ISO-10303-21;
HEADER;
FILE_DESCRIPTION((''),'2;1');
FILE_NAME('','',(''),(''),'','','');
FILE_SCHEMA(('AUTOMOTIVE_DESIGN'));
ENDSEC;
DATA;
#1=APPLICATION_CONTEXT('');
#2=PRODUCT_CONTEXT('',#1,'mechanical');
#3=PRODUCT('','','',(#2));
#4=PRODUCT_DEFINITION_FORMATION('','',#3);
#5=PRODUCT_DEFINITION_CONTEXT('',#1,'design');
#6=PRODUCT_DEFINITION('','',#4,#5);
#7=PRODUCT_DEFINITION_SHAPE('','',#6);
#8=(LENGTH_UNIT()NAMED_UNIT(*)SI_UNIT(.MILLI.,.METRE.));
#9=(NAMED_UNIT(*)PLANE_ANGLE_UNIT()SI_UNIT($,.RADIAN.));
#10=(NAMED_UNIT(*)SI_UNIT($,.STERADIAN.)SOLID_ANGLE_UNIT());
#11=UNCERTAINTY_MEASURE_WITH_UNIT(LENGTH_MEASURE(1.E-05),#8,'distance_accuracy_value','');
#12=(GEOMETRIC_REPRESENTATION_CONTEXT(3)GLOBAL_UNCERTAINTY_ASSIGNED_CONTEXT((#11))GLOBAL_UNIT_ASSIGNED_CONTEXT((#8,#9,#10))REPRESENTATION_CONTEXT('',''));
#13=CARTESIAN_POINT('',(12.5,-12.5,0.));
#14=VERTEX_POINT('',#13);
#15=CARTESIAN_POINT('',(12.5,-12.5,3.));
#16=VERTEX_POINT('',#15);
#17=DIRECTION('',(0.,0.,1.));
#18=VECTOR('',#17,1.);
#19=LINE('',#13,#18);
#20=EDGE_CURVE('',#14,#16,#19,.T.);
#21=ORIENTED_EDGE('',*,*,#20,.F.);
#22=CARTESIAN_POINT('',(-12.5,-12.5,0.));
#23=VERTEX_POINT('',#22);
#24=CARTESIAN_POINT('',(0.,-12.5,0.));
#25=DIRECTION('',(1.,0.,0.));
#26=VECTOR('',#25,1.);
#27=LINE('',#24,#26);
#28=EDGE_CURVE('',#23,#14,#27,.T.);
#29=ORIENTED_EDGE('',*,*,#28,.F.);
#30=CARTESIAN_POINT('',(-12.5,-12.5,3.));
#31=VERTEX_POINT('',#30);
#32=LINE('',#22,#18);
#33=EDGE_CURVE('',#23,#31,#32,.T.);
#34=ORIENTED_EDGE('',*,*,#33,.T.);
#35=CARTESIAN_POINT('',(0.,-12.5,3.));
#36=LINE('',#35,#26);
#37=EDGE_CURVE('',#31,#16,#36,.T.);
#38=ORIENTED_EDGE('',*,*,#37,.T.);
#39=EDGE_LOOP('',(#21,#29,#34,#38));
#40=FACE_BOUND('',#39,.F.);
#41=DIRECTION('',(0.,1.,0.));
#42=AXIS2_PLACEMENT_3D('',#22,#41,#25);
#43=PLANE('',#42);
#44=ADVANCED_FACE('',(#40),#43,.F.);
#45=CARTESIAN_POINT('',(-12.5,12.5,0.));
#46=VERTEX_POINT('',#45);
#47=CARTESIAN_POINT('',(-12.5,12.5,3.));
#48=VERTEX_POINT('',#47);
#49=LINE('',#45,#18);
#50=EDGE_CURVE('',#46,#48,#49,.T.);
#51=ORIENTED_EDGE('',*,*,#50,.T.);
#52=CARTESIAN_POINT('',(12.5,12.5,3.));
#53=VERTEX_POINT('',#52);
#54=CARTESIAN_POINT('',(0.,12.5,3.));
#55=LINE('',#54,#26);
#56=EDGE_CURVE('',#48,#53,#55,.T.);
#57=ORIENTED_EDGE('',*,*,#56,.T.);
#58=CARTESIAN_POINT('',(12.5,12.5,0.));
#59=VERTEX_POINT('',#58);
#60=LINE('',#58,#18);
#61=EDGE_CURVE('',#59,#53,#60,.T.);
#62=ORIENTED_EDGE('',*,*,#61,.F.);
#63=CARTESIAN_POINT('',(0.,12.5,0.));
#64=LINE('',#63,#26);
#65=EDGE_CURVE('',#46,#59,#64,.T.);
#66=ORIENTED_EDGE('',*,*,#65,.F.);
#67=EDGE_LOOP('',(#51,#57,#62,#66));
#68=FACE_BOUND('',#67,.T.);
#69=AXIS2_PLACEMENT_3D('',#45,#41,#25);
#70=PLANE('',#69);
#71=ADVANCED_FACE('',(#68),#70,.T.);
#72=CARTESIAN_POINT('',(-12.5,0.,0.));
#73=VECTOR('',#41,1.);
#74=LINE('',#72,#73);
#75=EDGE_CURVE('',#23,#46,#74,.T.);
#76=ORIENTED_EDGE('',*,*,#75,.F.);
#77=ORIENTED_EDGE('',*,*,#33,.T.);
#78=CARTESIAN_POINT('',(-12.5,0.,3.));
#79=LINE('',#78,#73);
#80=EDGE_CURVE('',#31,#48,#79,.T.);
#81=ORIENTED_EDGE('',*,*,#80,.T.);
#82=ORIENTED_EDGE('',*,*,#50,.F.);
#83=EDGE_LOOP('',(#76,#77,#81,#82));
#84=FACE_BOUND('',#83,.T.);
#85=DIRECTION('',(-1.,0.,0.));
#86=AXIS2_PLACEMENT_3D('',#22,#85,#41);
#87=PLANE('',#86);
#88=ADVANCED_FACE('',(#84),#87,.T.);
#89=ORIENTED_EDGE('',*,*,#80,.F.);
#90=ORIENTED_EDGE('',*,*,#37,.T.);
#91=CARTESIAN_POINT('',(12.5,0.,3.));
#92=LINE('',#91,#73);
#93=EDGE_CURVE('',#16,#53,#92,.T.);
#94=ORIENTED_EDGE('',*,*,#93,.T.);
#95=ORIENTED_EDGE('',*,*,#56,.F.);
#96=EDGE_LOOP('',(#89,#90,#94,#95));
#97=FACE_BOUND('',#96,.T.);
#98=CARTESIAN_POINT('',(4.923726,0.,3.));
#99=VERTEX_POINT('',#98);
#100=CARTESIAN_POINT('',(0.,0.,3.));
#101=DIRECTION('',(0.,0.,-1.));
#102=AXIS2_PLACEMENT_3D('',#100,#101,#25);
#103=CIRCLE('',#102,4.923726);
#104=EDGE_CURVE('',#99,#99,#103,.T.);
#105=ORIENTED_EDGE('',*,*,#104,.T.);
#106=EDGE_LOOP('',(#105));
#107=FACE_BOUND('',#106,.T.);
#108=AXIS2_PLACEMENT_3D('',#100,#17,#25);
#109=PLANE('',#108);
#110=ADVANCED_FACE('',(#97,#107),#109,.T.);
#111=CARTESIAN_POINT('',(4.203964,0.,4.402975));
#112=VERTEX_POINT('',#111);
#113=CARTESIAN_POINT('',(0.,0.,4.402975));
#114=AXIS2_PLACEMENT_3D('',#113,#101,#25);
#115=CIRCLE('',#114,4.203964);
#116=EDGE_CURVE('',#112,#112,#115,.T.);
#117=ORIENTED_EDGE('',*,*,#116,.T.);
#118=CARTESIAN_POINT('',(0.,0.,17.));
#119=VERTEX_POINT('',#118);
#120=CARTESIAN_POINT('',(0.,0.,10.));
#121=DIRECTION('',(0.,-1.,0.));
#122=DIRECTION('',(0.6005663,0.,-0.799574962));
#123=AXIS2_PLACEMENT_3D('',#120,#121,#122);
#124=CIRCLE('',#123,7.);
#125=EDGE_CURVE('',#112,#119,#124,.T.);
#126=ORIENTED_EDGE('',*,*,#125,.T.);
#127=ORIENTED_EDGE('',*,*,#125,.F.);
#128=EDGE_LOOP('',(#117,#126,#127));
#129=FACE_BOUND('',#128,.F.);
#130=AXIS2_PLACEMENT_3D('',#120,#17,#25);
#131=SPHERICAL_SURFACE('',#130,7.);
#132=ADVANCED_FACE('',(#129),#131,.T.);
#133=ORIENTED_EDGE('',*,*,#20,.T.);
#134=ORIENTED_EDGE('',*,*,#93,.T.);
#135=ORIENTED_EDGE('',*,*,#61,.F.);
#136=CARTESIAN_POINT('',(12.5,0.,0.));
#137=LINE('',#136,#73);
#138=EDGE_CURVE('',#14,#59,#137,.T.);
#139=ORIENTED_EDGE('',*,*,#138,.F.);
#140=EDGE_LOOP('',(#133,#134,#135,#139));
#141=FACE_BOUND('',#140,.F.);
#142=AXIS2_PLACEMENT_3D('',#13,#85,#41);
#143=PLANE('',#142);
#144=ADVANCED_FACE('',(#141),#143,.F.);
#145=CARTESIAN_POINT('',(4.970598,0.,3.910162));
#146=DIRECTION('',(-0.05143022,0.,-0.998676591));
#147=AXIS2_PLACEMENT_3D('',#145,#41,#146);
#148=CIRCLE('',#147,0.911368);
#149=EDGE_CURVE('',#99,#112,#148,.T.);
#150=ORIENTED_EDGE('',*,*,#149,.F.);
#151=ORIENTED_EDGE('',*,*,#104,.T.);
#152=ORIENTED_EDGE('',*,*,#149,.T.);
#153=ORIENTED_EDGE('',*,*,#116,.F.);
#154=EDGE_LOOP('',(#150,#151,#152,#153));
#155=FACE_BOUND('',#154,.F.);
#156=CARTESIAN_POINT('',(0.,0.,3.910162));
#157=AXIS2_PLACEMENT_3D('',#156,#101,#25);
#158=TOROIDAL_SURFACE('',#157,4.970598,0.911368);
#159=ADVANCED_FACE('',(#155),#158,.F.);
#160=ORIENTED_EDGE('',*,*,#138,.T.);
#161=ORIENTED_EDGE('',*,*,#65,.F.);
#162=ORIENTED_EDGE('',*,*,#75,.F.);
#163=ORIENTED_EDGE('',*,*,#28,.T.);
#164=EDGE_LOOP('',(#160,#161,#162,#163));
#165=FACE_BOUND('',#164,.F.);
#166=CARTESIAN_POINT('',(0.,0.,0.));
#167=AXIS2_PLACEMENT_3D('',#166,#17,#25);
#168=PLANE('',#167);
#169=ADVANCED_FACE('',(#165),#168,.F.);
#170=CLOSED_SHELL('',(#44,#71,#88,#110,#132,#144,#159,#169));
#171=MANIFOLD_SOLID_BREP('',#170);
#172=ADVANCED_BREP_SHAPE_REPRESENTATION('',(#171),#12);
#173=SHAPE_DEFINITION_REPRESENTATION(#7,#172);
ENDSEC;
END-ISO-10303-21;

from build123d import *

# Parameters (mm, degrees)
F0_W     = 25
F0_H     = 25
F1_DEPTH = 3


with BuildPart() as f1:
    # F0 (on Top) → F1 (new body)
    with BuildSketch(Plane.XY):
        Rectangle(F0_W, F0_H)
    extrude(amount=F1_DEPTH)

    # F2 (on Front) → F3 (revolve)
    with BuildSketch(Plane.XZ):
        with BuildLine():
            Line((0, 17), (0, 10))
            Line((0, 10), (0, 3))
            ThreePointArc((0, 3), (2.2159452682, 3.3600010114), (4.203964097, 4.4029752662))
            ThreePointArc((4.203964097, 4.4029752662), (6.6399989886, 12.2159452682), (0, 17))
        make_face()
        with BuildLine():
            ThreePointArc((4.203964097, 4.4029752662), (2.2159452682, 3.3600010114), (0, 3))
            Line((0, 3), (4.9237263425, 3))
            ThreePointArc((4.9237263425, 3), (4.159714196, 3.494158067), (4.203964097, 4.4029752662))
        make_face()
    revolve(axis=Axis((0, 0, 6.5), (0, 0, -1)))


solid = f1.part
